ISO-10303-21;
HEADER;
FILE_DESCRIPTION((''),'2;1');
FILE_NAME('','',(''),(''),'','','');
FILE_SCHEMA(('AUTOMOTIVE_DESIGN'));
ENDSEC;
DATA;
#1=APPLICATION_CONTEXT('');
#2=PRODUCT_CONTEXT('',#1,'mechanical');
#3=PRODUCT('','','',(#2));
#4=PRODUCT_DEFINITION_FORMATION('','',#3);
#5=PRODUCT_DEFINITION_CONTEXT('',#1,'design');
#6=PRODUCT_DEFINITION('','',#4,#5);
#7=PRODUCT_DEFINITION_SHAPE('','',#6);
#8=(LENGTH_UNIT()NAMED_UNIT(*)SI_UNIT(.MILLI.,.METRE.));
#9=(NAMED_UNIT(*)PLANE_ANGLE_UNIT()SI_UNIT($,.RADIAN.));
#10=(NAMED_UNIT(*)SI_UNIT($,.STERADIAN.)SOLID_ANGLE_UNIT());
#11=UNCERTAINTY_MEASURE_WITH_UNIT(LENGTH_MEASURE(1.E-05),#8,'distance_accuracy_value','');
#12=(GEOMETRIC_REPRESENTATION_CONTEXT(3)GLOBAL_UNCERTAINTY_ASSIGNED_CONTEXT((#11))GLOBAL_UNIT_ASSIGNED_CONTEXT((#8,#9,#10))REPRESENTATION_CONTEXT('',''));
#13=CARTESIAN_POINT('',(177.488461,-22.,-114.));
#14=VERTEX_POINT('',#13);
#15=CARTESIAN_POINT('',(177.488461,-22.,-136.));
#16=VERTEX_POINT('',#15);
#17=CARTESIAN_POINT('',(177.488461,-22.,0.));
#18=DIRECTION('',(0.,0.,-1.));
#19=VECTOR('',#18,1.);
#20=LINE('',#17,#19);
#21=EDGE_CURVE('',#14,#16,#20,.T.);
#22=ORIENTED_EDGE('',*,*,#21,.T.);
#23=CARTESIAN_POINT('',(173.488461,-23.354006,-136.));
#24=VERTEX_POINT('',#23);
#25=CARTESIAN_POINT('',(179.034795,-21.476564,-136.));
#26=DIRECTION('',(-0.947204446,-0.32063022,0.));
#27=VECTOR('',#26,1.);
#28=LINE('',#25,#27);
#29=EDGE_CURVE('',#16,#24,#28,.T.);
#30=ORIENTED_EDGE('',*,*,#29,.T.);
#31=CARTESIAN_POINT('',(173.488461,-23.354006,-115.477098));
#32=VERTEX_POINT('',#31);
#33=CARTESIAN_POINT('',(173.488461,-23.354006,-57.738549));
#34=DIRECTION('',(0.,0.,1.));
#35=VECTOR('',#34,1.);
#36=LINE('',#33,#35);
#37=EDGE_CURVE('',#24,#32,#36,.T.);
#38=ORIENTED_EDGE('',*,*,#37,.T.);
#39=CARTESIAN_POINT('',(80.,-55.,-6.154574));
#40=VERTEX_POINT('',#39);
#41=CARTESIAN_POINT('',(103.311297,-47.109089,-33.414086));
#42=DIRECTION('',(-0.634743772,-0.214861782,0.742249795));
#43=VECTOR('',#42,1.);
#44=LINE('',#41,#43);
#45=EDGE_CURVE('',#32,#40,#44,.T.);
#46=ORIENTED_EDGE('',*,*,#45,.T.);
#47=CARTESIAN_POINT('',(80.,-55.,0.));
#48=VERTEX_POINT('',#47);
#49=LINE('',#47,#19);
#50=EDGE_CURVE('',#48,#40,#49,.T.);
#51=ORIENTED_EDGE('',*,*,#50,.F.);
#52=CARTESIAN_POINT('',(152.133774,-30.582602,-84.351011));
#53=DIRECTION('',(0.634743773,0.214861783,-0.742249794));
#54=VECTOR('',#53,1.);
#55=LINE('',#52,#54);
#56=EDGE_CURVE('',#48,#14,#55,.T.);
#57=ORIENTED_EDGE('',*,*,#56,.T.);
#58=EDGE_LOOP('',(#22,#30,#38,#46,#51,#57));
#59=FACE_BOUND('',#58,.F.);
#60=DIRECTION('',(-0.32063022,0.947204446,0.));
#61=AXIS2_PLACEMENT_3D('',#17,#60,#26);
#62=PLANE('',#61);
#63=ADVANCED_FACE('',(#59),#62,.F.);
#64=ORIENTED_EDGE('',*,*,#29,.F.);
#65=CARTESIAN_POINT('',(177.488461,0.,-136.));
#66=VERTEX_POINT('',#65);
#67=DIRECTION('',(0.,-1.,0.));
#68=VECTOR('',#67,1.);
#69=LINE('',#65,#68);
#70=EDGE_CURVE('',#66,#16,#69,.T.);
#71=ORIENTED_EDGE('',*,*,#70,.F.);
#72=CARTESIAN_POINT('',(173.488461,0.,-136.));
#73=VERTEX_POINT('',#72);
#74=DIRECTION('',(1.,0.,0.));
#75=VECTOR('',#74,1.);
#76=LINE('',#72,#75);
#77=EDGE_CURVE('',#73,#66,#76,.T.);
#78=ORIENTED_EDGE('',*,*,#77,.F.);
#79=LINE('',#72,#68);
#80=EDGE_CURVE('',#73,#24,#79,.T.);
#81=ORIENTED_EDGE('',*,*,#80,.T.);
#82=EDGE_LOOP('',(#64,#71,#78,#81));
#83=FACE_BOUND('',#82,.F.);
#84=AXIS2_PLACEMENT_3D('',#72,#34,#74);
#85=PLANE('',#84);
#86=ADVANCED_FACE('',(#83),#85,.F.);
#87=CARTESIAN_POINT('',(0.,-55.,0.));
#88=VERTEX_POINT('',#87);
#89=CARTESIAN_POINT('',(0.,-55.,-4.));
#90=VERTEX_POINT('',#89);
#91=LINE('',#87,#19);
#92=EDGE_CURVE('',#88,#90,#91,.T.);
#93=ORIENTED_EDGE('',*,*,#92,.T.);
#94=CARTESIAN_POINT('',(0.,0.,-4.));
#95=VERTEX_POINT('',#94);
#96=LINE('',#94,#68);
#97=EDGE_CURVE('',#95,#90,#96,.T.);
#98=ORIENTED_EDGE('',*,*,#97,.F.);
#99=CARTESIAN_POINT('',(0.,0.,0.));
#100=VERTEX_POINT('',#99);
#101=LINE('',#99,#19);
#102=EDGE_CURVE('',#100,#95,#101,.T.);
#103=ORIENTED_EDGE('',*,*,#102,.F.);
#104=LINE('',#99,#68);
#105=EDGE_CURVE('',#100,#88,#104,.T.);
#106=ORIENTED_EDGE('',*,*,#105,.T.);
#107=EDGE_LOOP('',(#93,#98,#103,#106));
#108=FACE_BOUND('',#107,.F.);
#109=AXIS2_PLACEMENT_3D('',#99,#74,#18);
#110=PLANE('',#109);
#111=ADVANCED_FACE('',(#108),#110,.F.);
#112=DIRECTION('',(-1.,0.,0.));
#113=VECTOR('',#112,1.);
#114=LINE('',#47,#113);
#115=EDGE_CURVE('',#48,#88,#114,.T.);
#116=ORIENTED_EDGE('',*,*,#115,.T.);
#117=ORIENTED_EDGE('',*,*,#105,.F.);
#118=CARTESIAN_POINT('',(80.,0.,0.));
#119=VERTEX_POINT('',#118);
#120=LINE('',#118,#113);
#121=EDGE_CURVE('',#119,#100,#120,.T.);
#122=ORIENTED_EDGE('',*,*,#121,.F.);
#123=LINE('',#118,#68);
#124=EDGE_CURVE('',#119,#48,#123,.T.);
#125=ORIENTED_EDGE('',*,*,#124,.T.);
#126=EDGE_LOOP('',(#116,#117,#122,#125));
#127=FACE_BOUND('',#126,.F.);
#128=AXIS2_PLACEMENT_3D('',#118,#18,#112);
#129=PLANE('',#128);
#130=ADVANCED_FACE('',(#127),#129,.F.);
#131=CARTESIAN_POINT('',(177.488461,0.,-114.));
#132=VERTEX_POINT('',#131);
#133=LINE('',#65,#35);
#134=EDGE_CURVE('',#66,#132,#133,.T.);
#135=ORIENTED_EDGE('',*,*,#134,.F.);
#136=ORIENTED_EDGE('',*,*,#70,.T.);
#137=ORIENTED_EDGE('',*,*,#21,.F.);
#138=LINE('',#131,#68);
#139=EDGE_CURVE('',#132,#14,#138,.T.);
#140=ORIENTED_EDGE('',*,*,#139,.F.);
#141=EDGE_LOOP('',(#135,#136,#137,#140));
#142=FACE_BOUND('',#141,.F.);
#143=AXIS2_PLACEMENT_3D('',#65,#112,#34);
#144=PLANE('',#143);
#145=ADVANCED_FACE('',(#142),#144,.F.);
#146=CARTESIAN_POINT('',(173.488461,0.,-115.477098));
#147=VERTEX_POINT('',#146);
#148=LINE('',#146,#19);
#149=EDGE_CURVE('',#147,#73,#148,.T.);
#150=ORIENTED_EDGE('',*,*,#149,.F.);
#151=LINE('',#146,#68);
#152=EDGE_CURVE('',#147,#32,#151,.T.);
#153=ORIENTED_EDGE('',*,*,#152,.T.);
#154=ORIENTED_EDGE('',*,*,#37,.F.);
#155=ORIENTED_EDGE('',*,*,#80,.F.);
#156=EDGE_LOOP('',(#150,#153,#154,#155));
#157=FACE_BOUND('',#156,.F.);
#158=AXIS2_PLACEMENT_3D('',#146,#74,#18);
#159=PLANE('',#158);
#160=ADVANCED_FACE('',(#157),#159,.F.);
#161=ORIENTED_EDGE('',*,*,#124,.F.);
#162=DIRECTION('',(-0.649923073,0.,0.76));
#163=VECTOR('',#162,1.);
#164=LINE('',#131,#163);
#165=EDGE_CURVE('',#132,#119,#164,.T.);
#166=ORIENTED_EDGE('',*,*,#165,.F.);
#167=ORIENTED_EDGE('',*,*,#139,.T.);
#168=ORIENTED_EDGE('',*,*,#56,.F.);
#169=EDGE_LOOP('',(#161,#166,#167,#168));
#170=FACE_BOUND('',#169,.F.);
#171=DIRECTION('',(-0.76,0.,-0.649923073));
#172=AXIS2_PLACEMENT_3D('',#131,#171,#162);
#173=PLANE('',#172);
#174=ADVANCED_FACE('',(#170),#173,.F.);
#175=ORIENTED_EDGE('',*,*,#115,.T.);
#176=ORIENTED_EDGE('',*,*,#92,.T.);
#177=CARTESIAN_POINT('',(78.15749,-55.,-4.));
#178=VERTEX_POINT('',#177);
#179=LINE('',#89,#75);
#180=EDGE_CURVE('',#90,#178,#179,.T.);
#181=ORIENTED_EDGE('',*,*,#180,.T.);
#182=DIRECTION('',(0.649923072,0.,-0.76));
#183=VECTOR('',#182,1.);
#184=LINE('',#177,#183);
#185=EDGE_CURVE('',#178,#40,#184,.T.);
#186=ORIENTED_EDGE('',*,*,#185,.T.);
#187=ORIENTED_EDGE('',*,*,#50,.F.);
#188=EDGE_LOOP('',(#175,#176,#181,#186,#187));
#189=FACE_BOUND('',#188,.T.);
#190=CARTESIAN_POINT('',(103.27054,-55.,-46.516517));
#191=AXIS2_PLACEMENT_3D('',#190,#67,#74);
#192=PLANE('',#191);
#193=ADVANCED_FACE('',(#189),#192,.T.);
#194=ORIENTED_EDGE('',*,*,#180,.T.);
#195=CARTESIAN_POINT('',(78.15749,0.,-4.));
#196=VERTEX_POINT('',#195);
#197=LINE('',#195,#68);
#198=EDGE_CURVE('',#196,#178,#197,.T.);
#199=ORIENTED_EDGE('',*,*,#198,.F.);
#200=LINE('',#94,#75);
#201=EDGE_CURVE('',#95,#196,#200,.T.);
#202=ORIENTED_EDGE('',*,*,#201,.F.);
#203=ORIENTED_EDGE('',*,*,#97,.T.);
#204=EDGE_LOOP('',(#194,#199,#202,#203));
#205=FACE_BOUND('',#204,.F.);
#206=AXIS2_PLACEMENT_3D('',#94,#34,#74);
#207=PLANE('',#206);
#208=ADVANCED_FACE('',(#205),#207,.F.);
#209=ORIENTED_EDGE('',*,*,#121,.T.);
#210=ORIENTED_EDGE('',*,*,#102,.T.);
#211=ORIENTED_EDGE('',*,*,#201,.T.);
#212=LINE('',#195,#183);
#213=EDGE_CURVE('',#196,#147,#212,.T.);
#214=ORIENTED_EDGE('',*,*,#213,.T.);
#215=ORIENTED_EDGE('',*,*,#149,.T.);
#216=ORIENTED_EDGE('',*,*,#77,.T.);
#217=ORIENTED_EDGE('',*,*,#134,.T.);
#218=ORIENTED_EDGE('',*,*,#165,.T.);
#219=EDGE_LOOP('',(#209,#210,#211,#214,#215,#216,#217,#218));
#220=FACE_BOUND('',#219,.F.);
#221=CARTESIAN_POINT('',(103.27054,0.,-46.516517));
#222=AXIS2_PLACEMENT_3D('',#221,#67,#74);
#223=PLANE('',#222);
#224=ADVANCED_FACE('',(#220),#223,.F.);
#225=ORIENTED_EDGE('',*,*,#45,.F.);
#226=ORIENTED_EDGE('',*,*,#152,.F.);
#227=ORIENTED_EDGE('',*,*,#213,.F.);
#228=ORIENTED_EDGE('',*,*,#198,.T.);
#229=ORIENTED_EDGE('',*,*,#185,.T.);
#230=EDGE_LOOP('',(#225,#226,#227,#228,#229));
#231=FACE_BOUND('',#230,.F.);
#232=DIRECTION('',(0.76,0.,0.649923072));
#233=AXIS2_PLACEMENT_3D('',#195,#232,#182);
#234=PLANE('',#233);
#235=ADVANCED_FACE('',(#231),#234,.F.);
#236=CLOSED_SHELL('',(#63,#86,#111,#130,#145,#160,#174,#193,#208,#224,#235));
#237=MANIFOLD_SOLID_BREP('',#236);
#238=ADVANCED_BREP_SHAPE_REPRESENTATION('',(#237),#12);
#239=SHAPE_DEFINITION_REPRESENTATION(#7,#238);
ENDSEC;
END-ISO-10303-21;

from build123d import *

# Parameters (mm, degrees)
F1_DEPTH = 55
F3_DEPTH = 150


with BuildPart() as f1:
    # F0 (on Front) → F1 (new body)
    with BuildSketch(Plane.XZ):
        Polygon((80, 0), (0, 0), (0, -4), (78.15749, -4), (173.488461, -115.477098), (173.488461, -136), (177.488461, -136), (177.488461, -114), align=None)
    extrude(amount=F1_DEPTH)

    # F2 (on Top) → F3 (cut)
    with BuildSketch(Plane.XY):
        Polygon((177.488461, -22), (80, -55), (177.488461, -55), align=None)
    extrude(amount=-F3_DEPTH, mode=Mode.SUBTRACT)


solid = f1.part
